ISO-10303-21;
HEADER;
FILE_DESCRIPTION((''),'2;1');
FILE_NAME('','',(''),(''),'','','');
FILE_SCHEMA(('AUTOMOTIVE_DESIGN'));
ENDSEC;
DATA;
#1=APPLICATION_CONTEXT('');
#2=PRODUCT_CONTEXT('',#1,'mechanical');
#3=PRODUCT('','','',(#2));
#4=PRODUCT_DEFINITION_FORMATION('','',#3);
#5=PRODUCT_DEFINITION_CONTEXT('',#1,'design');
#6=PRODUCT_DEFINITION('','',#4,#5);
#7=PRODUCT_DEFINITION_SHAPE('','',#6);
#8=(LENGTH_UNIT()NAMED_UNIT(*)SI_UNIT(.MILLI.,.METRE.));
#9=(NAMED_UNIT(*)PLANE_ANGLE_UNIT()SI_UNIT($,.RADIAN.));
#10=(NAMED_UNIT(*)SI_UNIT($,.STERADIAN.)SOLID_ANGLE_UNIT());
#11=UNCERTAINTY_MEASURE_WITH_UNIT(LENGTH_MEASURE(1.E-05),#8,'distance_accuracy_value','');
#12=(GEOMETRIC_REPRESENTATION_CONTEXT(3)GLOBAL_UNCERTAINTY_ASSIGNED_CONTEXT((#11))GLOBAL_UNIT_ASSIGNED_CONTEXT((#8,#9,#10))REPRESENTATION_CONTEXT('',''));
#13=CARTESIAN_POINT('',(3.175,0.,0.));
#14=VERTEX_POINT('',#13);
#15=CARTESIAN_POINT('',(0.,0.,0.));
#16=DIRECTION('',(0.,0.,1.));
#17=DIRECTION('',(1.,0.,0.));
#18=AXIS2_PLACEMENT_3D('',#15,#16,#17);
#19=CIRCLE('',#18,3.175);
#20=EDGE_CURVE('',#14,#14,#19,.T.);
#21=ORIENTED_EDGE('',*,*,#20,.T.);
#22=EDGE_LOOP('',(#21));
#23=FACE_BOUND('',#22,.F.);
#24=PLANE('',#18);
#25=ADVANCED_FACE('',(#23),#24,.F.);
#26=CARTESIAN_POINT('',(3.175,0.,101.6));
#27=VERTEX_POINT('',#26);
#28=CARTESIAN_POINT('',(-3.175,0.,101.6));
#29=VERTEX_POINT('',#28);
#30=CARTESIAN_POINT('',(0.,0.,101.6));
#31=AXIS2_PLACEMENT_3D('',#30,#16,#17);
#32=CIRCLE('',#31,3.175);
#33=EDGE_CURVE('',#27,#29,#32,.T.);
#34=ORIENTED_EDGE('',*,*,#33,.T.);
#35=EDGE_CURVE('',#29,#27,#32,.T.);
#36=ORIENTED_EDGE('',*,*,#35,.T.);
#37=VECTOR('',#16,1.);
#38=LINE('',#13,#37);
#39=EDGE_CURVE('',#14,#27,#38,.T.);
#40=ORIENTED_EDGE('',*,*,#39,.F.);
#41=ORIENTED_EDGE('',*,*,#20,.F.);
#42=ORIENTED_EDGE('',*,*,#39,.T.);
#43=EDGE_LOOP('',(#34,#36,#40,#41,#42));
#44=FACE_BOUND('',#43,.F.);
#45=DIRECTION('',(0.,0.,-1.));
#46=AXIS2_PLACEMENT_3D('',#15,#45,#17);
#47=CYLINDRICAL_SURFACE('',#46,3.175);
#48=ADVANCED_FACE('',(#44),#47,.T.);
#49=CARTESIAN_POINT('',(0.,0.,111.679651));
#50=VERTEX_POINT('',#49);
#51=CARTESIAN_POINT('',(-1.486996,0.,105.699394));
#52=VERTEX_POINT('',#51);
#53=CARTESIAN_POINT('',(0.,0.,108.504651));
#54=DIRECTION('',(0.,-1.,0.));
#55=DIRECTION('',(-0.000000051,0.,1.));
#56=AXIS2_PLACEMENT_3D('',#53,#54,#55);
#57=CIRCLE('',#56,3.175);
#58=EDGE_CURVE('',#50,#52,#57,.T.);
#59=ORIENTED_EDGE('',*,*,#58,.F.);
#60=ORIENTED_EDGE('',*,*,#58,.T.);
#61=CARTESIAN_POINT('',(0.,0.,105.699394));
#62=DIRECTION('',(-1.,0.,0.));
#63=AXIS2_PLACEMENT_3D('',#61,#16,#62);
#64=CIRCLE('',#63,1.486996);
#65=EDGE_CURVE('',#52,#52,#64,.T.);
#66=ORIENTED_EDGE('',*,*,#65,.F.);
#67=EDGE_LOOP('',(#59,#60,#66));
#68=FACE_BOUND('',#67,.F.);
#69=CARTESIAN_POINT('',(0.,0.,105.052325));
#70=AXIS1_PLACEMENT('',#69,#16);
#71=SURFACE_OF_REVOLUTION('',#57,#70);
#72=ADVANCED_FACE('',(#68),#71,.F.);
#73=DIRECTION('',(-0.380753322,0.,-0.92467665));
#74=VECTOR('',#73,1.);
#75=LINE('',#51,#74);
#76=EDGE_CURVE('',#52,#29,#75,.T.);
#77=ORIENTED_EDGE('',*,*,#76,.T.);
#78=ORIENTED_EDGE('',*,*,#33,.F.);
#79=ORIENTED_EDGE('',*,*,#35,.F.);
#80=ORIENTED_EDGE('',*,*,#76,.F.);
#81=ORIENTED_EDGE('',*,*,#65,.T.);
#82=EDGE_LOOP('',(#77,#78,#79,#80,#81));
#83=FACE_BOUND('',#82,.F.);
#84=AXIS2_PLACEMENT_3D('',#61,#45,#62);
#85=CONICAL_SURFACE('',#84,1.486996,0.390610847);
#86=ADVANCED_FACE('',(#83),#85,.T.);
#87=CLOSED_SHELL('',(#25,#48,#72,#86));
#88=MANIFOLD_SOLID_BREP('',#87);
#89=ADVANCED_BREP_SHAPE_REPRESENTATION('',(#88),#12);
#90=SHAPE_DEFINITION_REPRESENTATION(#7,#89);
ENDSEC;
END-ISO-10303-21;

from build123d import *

# Parameters (mm, degrees)
F0_R     = 3.175
F1_DEPTH = 101.6


with BuildPart() as f1:
    # F0 (on Top) → F1 (new body)
    with BuildSketch(Plane.XY):
        Circle(F0_R)
    extrude(amount=F1_DEPTH)

    # F2 (on Front) → F3 (revolve)
    with BuildSketch(Plane.XZ):
        with BuildLine():
            ThreePointArc((-1.486996, 105.699394), (-0.766138, 105.423473), (0, 105.329651))
            Line((0, 105.329651), (0, 108.504651))
            Line((0, 108.504651), (0, 111.679651))
            ThreePointArc((0, 111.679651), (-3.081178, 109.270788), (-1.486996, 105.699394))
        make_face()
        with BuildLine():
            Line((-3.175, 101.6), (0, 101.6))
            Line((0, 101.6), (0, 105.329651))
            ThreePointArc((0, 105.329651), (-0.766138, 105.423473), (-1.486996, 105.699394))
            Line((-1.486996, 105.699394), (-3.175, 101.6))
        make_face()
    revolve(axis=Axis((0, 0, 105.052325), (0, 0, 1)))


solid = f1.part
